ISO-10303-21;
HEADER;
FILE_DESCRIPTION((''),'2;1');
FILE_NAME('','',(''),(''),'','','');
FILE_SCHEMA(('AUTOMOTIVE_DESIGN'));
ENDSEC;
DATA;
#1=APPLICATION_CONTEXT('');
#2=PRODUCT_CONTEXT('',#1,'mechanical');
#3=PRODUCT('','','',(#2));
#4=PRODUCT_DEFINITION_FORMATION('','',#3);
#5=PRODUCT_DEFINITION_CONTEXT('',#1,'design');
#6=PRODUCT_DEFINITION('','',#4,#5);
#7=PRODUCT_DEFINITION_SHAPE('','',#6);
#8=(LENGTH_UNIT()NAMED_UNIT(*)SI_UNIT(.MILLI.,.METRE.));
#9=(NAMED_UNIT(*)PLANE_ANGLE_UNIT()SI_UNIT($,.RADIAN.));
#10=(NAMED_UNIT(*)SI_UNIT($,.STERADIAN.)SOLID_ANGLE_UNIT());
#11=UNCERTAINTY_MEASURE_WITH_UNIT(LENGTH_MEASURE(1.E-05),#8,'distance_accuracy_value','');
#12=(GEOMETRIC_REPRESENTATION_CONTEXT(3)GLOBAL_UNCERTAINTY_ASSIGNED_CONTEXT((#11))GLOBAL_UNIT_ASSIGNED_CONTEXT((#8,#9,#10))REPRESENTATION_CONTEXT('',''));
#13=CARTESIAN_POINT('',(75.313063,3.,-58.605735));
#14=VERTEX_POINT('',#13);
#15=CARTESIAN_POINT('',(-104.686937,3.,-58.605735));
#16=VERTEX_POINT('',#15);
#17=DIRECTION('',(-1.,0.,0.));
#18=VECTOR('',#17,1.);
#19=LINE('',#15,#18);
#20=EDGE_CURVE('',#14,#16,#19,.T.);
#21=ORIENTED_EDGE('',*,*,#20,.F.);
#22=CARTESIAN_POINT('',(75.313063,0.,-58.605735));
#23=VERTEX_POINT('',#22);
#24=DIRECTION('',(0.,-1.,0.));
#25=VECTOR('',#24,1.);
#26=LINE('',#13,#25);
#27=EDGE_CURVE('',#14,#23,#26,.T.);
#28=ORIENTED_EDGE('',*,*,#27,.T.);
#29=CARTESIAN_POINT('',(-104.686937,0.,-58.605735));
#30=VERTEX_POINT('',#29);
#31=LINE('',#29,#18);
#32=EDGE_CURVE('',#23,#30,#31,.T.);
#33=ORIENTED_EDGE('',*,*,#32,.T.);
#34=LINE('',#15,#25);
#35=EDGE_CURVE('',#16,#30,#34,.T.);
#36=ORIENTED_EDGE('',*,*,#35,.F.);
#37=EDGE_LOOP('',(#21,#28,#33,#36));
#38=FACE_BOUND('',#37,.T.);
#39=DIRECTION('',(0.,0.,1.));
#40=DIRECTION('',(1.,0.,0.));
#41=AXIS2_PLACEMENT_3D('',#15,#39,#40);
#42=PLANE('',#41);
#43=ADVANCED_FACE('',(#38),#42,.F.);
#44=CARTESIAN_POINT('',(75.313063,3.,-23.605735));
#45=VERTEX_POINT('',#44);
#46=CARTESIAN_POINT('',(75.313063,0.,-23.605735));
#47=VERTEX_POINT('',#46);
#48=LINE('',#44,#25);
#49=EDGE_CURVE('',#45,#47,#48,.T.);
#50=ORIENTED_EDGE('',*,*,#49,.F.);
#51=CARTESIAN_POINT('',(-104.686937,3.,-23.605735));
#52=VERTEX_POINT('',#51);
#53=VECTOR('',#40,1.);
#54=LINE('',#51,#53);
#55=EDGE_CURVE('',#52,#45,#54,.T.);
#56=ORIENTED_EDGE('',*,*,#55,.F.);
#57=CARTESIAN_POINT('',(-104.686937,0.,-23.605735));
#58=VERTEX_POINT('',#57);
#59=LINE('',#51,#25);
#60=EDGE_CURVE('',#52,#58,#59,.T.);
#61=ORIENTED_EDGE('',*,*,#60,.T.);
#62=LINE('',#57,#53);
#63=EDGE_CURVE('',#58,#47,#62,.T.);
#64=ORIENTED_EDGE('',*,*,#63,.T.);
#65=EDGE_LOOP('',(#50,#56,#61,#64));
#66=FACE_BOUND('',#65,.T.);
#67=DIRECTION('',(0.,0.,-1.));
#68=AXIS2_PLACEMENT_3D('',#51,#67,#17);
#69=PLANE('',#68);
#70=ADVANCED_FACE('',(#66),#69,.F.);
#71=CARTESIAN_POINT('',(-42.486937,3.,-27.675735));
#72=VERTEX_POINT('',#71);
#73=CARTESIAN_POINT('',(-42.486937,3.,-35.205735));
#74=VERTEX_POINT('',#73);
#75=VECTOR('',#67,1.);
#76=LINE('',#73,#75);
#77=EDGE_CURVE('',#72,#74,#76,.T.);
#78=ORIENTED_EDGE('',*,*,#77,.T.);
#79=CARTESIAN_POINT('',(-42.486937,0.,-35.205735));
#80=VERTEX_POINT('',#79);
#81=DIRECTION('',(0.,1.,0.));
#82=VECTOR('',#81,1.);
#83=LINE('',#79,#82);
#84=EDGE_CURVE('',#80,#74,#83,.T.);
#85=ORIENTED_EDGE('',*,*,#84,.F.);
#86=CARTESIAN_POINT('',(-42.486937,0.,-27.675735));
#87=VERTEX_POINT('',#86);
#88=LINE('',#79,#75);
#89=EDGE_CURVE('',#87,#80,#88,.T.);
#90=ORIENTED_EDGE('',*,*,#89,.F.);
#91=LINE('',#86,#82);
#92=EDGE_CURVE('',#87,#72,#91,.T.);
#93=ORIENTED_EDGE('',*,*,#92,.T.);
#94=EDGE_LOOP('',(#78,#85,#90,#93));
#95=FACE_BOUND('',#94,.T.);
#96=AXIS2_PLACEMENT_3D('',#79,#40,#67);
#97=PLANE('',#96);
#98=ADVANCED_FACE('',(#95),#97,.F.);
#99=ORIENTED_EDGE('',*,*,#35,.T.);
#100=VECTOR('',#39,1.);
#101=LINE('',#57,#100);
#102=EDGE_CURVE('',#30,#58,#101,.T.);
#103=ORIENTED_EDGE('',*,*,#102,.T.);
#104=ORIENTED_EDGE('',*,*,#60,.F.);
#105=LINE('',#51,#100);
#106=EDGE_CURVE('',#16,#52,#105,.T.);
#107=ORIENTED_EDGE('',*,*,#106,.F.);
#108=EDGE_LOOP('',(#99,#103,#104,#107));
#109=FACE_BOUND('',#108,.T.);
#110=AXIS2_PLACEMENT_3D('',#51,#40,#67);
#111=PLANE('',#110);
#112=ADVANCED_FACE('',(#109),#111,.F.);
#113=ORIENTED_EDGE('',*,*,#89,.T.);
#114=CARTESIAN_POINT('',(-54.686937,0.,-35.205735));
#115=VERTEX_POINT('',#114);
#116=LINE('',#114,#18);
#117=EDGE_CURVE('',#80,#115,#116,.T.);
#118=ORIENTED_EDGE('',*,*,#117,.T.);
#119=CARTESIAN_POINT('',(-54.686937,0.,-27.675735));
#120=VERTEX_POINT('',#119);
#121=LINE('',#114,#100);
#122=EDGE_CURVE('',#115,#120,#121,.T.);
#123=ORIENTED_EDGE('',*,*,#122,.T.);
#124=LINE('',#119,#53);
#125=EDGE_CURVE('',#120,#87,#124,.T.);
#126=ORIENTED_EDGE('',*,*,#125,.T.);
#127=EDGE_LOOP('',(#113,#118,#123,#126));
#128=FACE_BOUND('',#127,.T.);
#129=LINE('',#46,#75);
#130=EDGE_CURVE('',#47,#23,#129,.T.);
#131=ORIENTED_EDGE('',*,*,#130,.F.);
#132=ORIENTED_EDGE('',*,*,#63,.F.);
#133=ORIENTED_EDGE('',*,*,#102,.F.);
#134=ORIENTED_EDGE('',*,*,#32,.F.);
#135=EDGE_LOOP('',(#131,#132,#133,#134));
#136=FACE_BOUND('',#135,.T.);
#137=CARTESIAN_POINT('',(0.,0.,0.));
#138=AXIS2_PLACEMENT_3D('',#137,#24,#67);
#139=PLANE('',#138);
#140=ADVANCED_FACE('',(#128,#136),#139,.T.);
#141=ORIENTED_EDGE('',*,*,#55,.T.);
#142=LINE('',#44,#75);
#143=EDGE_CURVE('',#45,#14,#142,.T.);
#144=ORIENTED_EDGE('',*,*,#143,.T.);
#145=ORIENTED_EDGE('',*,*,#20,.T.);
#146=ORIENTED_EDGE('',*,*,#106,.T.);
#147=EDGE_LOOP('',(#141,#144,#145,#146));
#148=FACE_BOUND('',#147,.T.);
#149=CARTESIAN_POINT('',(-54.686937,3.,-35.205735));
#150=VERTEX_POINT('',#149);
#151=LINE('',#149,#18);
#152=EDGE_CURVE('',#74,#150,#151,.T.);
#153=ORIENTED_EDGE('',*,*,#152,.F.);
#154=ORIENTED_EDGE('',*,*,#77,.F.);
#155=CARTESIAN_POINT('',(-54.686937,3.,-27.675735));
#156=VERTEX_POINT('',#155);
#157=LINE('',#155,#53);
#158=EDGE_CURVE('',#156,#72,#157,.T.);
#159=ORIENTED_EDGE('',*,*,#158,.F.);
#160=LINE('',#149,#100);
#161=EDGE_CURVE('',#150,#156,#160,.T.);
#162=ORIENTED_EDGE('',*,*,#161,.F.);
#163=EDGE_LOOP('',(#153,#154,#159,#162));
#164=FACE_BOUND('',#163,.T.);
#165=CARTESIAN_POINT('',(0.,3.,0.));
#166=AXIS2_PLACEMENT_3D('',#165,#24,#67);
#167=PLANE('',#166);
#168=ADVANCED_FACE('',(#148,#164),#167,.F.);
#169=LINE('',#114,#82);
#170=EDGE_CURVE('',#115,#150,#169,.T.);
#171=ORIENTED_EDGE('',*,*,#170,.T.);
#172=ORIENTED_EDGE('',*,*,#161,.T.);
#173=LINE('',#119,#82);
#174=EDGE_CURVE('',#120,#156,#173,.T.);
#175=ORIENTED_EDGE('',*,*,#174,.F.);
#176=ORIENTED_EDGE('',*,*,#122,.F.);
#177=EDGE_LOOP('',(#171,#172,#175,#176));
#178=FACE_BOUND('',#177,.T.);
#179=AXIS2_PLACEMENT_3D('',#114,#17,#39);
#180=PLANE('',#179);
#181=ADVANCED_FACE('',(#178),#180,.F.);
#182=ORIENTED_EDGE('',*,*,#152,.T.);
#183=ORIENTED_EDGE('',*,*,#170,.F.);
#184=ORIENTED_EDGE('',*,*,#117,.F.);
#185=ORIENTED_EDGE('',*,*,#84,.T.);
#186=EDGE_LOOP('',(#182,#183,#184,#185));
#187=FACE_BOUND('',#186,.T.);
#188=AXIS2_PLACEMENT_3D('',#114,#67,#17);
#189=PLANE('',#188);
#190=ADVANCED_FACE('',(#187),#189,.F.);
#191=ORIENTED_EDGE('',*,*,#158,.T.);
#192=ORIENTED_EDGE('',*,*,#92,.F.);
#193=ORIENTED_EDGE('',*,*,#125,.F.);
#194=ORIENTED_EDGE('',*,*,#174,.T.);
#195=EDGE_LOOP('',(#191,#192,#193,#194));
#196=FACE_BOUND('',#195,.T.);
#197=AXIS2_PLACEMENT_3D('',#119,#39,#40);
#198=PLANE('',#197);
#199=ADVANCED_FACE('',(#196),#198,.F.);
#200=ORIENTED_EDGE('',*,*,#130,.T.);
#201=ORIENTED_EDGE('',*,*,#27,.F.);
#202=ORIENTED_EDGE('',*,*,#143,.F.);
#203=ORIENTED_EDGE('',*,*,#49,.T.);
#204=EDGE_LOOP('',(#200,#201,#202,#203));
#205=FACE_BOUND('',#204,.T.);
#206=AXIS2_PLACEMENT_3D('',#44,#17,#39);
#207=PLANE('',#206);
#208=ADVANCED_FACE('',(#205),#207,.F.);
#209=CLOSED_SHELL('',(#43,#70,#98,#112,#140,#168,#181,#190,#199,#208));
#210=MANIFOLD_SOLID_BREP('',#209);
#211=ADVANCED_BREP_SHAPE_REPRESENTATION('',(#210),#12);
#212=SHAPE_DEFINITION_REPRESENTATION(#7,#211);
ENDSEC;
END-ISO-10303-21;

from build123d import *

# Parameters (mm, degrees)
SKETCH1_W           = 180
SKETCH1_H           = 35
BOSS_EXTRUDE1_DEPTH = 3
SKETCH2_W           = 12.2
SKETCH2_H           = 7.53
CUT_EXTRUDE1_DEPTH  = 4


with BuildPart() as part:
    # Sketch1 → Boss-Extrude1 (new body)
    with BuildSketch(Plane(origin=(0, 0, 0), x_dir=(1, 0, 0), z_dir=(0, 1, 0))):
        with Locations((-14.686936777, 41.10573468)):
            Rectangle(SKETCH1_W, SKETCH1_H)
    extrude(amount=BOSS_EXTRUDE1_DEPTH)

    # Sketch2 → Cut-Extrude1 (cut, through all)
    with BuildSketch(Plane(origin=(0, 3, 0), x_dir=(1, 0, 0), z_dir=(0, 1, 0))):
        with Locations((-48.586936777, 31.44073468)):
            Rectangle(SKETCH2_W, SKETCH2_H)
    extrude(amount=-CUT_EXTRUDE1_DEPTH, mode=Mode.SUBTRACT)


solid = part.part
